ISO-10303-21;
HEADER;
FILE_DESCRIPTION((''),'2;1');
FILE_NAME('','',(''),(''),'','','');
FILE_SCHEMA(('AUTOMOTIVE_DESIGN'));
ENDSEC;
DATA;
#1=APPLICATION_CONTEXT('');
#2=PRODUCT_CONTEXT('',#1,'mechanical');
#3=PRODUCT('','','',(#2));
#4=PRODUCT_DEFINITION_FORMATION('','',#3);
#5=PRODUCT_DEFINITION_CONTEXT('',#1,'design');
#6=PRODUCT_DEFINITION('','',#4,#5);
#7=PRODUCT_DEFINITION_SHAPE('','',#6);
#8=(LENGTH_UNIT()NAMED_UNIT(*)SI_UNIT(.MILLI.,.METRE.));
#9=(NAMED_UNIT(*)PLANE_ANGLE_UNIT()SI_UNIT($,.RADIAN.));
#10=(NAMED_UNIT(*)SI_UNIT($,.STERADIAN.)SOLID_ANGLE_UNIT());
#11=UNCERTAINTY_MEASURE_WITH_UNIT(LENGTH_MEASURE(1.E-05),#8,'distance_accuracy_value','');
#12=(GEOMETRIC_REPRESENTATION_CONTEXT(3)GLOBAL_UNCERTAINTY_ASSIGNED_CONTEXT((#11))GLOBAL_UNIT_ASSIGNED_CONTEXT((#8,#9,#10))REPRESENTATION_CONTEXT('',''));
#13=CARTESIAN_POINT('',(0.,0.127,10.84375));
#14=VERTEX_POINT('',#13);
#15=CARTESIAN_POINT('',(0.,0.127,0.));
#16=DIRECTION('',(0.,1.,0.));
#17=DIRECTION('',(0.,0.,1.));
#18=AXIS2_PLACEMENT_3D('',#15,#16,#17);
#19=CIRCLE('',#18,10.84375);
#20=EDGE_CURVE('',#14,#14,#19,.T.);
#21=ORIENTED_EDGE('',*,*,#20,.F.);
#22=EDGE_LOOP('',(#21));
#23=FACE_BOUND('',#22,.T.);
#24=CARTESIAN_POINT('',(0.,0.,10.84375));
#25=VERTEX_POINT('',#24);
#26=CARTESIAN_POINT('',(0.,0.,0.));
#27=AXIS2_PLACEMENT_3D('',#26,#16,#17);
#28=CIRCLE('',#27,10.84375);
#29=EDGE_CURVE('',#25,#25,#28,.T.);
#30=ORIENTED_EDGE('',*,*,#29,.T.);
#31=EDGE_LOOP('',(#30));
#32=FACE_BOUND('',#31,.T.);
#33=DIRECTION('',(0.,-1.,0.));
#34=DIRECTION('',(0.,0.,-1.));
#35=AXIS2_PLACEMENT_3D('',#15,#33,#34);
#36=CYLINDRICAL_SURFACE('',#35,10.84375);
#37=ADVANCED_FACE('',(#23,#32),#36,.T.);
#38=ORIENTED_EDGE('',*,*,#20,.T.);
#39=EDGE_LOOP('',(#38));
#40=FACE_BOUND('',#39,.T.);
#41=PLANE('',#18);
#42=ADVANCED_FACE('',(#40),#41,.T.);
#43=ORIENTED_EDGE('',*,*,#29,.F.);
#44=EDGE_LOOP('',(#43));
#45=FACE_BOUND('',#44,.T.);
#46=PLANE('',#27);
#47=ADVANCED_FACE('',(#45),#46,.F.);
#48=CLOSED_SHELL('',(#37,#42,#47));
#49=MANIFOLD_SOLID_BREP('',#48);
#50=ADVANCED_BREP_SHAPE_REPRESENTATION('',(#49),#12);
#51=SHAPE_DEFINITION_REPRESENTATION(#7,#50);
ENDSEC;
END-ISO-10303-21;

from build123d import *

# Parameters (mm, degrees)
SKETCH1_R           = 10.843749966
BOSS_EXTRUDE1_DEPTH = 0.127


with BuildPart() as part:
    # Sketch1 → Boss-Extrude1 (new body)
    with BuildSketch(Plane(origin=(0, 0, 0), x_dir=(1, 0, 0), z_dir=(0, 1, 0))):
        with Locations(Location((0, 0, 0), (0, 0, 270))):
            Circle(SKETCH1_R)
    extrude(amount=BOSS_EXTRUDE1_DEPTH)


solid = part.part
